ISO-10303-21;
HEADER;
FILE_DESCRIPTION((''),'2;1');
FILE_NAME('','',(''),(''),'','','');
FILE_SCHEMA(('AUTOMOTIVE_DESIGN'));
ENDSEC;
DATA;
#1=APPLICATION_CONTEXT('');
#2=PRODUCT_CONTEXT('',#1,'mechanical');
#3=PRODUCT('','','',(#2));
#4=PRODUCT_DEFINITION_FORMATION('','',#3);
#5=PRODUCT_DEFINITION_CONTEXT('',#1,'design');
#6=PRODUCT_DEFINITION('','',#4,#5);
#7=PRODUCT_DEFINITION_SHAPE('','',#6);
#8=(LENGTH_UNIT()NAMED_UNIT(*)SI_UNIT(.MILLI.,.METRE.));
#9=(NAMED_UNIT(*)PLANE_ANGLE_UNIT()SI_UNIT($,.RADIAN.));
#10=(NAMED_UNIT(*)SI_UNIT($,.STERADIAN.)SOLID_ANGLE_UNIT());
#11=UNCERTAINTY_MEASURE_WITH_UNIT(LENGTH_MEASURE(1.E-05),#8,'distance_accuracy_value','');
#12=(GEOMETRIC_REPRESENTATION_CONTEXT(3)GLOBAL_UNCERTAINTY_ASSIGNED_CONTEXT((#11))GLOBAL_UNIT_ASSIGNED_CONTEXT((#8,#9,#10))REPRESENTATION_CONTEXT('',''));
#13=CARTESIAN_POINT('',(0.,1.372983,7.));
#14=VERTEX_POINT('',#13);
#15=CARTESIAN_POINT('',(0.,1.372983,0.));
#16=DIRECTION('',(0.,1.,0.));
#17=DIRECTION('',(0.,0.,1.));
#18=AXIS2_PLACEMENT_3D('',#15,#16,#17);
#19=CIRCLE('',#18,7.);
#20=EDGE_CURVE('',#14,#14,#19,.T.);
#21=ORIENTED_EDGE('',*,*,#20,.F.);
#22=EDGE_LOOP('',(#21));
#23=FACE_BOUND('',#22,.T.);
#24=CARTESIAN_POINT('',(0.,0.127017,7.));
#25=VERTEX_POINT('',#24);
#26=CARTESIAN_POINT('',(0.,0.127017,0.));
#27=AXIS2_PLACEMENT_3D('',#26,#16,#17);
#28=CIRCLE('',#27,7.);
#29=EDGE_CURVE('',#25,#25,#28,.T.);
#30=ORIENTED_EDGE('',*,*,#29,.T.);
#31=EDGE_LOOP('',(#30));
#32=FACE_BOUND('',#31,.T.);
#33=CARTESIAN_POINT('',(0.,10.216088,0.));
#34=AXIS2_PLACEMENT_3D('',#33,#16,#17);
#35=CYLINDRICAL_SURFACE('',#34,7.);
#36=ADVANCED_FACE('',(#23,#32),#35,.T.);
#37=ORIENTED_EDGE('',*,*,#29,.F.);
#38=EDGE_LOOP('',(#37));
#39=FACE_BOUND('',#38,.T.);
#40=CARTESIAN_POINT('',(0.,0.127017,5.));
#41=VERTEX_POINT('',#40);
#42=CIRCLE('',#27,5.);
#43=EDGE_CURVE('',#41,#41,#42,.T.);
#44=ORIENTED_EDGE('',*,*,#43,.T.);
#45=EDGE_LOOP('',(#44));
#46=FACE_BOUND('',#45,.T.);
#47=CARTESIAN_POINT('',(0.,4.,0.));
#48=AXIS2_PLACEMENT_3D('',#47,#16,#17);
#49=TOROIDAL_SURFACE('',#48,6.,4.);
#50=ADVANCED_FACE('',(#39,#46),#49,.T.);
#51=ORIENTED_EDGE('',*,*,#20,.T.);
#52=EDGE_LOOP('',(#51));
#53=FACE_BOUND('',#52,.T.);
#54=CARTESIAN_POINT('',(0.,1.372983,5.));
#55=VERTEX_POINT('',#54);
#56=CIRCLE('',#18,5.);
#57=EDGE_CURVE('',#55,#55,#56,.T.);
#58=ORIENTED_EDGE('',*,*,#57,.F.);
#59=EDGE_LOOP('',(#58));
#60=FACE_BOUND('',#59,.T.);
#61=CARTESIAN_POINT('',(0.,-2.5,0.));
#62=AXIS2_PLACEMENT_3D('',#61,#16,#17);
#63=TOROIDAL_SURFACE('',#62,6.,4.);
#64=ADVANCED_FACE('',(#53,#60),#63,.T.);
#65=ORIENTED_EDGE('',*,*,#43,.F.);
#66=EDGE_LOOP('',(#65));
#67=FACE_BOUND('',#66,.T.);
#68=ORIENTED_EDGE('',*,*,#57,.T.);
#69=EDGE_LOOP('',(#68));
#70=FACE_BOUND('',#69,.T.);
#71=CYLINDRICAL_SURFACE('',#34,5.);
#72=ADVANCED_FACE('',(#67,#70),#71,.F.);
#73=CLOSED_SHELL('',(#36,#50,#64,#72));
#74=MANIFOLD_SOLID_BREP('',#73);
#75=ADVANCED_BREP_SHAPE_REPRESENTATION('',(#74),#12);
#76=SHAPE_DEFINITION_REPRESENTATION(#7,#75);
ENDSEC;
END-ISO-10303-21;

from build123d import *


with BuildPart() as part:
    # Sketch1 → Base-Revolve (revolve)
    with BuildSketch(Plane.XY, mode=Mode.PRIVATE) as base_revolve_sk:
        with BuildLine():
            Line((5, 0.127016654), (5, 1.372983346))
            ThreePointArc((5, 1.372983346), (6, 1.5), (7, 1.372983346))
            Line((7, 1.372983346), (7, 0.127016654))
            ThreePointArc((7, 0.127016654), (6, 0), (5, 0.127016654))
        make_face()
    revolve(base_revolve_sk.sketch.rotate(Axis((0, 10.216088328, 0), (0, -1, 0)), 90), axis=Axis((0, 10.216088328, 0), (0, -1, 0)))


solid = part.part
